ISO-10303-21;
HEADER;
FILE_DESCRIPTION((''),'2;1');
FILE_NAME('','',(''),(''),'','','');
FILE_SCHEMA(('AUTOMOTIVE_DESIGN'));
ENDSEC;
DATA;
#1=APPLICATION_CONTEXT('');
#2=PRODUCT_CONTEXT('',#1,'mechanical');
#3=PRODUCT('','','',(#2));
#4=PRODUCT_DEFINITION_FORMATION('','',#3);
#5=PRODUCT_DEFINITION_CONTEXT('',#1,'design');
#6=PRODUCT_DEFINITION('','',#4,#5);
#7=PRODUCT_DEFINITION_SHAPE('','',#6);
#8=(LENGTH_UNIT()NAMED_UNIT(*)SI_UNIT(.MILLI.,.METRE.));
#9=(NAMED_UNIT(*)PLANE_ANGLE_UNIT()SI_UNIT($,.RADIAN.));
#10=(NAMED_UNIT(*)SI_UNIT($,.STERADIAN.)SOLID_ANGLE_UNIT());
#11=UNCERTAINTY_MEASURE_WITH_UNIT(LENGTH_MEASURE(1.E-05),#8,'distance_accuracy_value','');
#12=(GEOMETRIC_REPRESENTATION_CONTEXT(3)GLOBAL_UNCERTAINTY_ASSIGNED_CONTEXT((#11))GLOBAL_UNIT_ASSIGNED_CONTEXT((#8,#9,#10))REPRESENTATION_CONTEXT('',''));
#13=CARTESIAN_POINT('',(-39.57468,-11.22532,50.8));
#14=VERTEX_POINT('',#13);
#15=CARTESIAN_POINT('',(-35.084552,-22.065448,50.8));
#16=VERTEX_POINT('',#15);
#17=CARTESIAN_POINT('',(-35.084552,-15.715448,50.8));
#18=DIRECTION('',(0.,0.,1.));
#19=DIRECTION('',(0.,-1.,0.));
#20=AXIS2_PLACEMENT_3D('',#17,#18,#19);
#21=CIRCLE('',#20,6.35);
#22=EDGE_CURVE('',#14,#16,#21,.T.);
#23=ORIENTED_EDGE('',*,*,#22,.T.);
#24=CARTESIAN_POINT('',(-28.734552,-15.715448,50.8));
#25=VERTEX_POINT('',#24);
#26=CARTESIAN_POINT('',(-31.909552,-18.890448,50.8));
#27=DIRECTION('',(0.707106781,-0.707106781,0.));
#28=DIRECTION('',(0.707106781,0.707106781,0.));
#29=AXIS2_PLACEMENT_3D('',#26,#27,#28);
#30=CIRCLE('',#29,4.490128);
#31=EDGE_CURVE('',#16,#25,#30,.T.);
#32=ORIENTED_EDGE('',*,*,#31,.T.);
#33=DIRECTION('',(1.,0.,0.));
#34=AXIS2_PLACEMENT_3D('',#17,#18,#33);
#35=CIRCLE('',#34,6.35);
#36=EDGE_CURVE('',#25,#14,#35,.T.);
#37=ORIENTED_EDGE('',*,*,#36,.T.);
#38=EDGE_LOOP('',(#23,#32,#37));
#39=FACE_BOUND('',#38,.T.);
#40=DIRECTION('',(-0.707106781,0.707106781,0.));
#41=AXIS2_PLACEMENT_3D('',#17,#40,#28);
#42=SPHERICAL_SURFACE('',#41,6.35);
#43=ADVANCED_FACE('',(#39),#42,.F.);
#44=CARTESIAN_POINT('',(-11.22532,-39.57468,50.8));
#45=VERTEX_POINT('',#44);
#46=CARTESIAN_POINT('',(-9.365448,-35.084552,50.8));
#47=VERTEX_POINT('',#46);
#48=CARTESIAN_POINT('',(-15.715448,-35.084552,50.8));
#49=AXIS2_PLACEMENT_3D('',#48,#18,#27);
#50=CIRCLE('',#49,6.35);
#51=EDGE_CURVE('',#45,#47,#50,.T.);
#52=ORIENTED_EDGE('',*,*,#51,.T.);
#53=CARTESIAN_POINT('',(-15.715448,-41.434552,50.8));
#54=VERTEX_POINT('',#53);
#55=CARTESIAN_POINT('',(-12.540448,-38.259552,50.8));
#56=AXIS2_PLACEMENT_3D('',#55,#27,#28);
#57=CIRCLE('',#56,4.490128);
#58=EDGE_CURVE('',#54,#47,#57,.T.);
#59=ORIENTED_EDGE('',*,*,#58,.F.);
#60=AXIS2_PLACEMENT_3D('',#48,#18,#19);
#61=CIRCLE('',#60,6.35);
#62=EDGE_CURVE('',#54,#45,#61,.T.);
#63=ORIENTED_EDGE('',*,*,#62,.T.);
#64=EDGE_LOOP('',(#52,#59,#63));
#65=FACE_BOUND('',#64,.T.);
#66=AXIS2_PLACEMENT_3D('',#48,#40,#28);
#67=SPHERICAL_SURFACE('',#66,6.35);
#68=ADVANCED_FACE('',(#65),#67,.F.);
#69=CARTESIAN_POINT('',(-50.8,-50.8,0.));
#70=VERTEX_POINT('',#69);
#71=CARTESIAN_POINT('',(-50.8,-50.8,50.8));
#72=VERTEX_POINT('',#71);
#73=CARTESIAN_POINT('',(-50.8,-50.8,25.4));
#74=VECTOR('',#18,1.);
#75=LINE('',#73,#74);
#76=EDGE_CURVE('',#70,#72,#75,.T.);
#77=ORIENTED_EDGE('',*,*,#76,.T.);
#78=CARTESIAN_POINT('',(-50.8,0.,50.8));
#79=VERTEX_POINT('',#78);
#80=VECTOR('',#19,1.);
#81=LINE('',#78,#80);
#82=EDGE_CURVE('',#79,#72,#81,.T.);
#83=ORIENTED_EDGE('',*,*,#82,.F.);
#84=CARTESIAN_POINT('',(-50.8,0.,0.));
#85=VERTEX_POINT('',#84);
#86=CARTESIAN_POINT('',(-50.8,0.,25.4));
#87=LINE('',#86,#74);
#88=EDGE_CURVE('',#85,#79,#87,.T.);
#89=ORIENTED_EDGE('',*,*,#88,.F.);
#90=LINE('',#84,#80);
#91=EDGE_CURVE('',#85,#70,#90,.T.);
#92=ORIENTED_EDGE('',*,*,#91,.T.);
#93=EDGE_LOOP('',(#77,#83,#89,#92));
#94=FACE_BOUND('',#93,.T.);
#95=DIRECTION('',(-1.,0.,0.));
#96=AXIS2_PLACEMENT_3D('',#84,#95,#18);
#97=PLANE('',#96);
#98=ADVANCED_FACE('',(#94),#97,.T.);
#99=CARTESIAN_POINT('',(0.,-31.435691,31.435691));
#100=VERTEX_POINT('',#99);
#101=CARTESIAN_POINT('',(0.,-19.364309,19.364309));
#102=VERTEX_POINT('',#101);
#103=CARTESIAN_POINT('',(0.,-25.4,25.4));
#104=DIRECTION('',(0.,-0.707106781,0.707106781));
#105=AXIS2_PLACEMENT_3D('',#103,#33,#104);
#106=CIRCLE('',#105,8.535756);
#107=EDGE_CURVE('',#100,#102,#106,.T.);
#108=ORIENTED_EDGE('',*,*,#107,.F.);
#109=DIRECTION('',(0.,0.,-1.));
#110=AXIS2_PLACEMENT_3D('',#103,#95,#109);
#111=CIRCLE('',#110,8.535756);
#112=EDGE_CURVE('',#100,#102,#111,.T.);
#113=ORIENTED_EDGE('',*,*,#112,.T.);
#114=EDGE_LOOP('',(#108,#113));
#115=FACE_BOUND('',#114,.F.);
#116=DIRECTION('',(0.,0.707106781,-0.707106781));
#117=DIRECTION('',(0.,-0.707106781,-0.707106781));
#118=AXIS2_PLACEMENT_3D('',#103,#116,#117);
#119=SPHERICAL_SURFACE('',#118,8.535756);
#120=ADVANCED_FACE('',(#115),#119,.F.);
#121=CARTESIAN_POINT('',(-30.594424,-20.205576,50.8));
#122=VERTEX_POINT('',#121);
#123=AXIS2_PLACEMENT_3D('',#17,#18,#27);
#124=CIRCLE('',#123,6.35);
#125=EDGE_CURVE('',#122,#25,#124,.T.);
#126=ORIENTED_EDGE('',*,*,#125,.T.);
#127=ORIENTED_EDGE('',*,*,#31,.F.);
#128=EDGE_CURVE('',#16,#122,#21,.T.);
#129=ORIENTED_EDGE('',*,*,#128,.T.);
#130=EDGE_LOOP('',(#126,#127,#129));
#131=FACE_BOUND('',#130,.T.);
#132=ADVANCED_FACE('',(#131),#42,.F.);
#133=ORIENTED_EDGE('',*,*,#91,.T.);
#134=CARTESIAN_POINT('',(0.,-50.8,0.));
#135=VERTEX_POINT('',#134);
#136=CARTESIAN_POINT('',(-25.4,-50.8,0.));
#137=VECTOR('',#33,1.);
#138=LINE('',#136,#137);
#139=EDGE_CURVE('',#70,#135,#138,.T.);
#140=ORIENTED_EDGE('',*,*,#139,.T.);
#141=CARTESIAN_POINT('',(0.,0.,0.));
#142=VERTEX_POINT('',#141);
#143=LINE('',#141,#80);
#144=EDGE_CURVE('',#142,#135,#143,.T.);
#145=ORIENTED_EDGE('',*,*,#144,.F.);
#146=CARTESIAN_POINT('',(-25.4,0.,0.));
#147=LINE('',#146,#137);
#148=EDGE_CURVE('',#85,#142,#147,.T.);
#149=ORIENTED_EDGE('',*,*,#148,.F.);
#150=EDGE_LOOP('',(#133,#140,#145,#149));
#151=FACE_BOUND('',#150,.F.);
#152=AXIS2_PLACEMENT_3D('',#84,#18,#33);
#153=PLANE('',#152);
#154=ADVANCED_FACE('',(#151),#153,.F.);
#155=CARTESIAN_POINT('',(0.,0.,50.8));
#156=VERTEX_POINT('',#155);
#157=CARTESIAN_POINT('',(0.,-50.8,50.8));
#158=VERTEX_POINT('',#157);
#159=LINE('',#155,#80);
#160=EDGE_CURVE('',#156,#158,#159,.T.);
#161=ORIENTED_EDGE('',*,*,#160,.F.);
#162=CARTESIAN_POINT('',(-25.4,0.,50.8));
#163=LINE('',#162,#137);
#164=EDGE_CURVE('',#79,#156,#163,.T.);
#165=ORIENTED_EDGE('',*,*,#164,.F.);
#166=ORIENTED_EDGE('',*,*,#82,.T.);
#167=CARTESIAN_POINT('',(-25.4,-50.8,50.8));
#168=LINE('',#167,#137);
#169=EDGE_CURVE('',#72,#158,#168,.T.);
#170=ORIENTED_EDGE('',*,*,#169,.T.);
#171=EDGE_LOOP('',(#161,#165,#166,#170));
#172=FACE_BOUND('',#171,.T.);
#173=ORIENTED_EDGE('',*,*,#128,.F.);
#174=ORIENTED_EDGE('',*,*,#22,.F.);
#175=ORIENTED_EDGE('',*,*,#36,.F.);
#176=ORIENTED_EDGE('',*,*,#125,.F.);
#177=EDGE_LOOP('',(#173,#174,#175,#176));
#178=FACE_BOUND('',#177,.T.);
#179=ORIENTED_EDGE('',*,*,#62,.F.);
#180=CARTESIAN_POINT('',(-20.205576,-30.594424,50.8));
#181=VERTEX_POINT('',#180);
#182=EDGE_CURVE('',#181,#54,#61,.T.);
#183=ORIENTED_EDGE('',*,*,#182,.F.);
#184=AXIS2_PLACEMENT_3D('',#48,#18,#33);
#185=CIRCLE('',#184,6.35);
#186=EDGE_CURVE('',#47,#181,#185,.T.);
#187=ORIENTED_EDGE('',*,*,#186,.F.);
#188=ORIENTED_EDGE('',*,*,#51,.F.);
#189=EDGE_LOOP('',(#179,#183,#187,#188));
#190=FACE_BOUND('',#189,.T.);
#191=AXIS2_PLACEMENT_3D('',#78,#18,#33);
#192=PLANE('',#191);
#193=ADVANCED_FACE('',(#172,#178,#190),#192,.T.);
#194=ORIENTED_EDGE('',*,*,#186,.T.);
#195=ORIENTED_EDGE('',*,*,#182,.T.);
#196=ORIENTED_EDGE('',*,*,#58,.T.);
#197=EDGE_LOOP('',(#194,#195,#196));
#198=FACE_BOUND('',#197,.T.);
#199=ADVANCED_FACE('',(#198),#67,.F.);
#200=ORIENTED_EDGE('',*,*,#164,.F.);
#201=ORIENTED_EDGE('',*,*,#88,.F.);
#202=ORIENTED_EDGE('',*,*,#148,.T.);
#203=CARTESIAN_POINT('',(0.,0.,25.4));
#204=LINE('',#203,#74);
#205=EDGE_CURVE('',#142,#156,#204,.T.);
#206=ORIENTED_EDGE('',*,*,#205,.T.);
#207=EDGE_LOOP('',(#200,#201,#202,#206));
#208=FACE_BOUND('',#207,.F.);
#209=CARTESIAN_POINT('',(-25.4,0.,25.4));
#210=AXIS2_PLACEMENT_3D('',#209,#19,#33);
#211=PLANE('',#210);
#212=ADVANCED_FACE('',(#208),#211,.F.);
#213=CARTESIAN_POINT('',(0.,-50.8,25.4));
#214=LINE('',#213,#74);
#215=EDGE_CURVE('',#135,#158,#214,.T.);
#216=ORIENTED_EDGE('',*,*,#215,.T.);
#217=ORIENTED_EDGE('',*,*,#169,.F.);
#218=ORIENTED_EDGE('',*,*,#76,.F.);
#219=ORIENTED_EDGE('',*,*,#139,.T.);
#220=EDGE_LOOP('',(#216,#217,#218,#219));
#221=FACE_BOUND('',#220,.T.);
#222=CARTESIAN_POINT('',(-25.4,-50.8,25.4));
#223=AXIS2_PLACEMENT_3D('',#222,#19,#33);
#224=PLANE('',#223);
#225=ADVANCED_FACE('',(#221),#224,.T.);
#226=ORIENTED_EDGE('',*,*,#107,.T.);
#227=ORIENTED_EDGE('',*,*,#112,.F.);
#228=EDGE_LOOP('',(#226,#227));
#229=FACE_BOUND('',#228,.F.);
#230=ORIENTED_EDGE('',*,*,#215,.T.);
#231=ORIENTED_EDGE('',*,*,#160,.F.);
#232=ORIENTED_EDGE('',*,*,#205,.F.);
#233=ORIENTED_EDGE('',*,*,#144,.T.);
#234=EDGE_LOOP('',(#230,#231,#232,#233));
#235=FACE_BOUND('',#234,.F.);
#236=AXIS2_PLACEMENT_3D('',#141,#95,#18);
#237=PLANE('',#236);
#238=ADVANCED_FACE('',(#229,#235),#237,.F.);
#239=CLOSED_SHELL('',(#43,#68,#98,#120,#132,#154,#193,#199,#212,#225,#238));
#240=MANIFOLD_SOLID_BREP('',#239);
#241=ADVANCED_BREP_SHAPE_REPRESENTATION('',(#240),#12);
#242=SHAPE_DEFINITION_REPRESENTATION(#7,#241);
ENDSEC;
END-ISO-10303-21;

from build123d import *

# Parameters (mm, degrees)
F0_W     = 50.8
F0_H     = 50.8
F1_DEPTH = 50.8


with BuildPart() as f1:
    # F0 (on Front) → F1 (new body)
    with BuildSketch(Plane.XZ):
        with Locations((-25.4, 25.4)):
            Rectangle(F0_W, F0_H)
    extrude(amount=F1_DEPTH)

    # F2 (on face) → F3 (revolve, cut)
    with BuildSketch(Plane.YZ):
        with BuildLine():
            Line((-19.3643093263, 19.3643093263), (-31.4356906737, 31.4356906737))
            ThreePointArc((-31.4356906737, 31.4356906737), (-31.4356906737, 19.3643093263), (-19.3643093263, 19.3643093263))
        make_face()
    revolve(axis=Axis((0, -25.4, 25.4), (0, 0.7071067812, -0.7071067812)), mode=Mode.SUBTRACT)

    # F4 (on face) → F5 (revolve, cut)
    with BuildSketch(Plane.XY.offset(50.8)):
        with BuildLine():
            ThreePointArc((-28.7345517881, -15.7154482119), (-32.6545119926, -9.8488131804), (-39.5746798487, -11.2253201513))
            Line((-39.5746798487, -11.2253201513), (-30.5944237276, -20.2055762724))
            ThreePointArc((-30.5944237276, -20.2055762724), (-29.2179167567, -18.1454880074), (-28.7345517881, -15.7154482119))
        make_face()
        with BuildLine():
            ThreePointArc((-9.3654482119, -35.0845517881), (-13.2854084164, -29.2179167567), (-20.2055762724, -30.5944237276))
            Line((-20.2055762724, -30.5944237276), (-11.2253201513, -39.5746798487))
            ThreePointArc((-11.2253201513, -39.5746798487), (-9.8488131804, -37.5145915836), (-9.3654482119, -35.0845517881))
        make_face()
    revolve(axis=Axis((-25.4, -25.4, 50.8), (0.7071067812, -0.7071067812, 0)), mode=Mode.SUBTRACT)


solid = f1.part
